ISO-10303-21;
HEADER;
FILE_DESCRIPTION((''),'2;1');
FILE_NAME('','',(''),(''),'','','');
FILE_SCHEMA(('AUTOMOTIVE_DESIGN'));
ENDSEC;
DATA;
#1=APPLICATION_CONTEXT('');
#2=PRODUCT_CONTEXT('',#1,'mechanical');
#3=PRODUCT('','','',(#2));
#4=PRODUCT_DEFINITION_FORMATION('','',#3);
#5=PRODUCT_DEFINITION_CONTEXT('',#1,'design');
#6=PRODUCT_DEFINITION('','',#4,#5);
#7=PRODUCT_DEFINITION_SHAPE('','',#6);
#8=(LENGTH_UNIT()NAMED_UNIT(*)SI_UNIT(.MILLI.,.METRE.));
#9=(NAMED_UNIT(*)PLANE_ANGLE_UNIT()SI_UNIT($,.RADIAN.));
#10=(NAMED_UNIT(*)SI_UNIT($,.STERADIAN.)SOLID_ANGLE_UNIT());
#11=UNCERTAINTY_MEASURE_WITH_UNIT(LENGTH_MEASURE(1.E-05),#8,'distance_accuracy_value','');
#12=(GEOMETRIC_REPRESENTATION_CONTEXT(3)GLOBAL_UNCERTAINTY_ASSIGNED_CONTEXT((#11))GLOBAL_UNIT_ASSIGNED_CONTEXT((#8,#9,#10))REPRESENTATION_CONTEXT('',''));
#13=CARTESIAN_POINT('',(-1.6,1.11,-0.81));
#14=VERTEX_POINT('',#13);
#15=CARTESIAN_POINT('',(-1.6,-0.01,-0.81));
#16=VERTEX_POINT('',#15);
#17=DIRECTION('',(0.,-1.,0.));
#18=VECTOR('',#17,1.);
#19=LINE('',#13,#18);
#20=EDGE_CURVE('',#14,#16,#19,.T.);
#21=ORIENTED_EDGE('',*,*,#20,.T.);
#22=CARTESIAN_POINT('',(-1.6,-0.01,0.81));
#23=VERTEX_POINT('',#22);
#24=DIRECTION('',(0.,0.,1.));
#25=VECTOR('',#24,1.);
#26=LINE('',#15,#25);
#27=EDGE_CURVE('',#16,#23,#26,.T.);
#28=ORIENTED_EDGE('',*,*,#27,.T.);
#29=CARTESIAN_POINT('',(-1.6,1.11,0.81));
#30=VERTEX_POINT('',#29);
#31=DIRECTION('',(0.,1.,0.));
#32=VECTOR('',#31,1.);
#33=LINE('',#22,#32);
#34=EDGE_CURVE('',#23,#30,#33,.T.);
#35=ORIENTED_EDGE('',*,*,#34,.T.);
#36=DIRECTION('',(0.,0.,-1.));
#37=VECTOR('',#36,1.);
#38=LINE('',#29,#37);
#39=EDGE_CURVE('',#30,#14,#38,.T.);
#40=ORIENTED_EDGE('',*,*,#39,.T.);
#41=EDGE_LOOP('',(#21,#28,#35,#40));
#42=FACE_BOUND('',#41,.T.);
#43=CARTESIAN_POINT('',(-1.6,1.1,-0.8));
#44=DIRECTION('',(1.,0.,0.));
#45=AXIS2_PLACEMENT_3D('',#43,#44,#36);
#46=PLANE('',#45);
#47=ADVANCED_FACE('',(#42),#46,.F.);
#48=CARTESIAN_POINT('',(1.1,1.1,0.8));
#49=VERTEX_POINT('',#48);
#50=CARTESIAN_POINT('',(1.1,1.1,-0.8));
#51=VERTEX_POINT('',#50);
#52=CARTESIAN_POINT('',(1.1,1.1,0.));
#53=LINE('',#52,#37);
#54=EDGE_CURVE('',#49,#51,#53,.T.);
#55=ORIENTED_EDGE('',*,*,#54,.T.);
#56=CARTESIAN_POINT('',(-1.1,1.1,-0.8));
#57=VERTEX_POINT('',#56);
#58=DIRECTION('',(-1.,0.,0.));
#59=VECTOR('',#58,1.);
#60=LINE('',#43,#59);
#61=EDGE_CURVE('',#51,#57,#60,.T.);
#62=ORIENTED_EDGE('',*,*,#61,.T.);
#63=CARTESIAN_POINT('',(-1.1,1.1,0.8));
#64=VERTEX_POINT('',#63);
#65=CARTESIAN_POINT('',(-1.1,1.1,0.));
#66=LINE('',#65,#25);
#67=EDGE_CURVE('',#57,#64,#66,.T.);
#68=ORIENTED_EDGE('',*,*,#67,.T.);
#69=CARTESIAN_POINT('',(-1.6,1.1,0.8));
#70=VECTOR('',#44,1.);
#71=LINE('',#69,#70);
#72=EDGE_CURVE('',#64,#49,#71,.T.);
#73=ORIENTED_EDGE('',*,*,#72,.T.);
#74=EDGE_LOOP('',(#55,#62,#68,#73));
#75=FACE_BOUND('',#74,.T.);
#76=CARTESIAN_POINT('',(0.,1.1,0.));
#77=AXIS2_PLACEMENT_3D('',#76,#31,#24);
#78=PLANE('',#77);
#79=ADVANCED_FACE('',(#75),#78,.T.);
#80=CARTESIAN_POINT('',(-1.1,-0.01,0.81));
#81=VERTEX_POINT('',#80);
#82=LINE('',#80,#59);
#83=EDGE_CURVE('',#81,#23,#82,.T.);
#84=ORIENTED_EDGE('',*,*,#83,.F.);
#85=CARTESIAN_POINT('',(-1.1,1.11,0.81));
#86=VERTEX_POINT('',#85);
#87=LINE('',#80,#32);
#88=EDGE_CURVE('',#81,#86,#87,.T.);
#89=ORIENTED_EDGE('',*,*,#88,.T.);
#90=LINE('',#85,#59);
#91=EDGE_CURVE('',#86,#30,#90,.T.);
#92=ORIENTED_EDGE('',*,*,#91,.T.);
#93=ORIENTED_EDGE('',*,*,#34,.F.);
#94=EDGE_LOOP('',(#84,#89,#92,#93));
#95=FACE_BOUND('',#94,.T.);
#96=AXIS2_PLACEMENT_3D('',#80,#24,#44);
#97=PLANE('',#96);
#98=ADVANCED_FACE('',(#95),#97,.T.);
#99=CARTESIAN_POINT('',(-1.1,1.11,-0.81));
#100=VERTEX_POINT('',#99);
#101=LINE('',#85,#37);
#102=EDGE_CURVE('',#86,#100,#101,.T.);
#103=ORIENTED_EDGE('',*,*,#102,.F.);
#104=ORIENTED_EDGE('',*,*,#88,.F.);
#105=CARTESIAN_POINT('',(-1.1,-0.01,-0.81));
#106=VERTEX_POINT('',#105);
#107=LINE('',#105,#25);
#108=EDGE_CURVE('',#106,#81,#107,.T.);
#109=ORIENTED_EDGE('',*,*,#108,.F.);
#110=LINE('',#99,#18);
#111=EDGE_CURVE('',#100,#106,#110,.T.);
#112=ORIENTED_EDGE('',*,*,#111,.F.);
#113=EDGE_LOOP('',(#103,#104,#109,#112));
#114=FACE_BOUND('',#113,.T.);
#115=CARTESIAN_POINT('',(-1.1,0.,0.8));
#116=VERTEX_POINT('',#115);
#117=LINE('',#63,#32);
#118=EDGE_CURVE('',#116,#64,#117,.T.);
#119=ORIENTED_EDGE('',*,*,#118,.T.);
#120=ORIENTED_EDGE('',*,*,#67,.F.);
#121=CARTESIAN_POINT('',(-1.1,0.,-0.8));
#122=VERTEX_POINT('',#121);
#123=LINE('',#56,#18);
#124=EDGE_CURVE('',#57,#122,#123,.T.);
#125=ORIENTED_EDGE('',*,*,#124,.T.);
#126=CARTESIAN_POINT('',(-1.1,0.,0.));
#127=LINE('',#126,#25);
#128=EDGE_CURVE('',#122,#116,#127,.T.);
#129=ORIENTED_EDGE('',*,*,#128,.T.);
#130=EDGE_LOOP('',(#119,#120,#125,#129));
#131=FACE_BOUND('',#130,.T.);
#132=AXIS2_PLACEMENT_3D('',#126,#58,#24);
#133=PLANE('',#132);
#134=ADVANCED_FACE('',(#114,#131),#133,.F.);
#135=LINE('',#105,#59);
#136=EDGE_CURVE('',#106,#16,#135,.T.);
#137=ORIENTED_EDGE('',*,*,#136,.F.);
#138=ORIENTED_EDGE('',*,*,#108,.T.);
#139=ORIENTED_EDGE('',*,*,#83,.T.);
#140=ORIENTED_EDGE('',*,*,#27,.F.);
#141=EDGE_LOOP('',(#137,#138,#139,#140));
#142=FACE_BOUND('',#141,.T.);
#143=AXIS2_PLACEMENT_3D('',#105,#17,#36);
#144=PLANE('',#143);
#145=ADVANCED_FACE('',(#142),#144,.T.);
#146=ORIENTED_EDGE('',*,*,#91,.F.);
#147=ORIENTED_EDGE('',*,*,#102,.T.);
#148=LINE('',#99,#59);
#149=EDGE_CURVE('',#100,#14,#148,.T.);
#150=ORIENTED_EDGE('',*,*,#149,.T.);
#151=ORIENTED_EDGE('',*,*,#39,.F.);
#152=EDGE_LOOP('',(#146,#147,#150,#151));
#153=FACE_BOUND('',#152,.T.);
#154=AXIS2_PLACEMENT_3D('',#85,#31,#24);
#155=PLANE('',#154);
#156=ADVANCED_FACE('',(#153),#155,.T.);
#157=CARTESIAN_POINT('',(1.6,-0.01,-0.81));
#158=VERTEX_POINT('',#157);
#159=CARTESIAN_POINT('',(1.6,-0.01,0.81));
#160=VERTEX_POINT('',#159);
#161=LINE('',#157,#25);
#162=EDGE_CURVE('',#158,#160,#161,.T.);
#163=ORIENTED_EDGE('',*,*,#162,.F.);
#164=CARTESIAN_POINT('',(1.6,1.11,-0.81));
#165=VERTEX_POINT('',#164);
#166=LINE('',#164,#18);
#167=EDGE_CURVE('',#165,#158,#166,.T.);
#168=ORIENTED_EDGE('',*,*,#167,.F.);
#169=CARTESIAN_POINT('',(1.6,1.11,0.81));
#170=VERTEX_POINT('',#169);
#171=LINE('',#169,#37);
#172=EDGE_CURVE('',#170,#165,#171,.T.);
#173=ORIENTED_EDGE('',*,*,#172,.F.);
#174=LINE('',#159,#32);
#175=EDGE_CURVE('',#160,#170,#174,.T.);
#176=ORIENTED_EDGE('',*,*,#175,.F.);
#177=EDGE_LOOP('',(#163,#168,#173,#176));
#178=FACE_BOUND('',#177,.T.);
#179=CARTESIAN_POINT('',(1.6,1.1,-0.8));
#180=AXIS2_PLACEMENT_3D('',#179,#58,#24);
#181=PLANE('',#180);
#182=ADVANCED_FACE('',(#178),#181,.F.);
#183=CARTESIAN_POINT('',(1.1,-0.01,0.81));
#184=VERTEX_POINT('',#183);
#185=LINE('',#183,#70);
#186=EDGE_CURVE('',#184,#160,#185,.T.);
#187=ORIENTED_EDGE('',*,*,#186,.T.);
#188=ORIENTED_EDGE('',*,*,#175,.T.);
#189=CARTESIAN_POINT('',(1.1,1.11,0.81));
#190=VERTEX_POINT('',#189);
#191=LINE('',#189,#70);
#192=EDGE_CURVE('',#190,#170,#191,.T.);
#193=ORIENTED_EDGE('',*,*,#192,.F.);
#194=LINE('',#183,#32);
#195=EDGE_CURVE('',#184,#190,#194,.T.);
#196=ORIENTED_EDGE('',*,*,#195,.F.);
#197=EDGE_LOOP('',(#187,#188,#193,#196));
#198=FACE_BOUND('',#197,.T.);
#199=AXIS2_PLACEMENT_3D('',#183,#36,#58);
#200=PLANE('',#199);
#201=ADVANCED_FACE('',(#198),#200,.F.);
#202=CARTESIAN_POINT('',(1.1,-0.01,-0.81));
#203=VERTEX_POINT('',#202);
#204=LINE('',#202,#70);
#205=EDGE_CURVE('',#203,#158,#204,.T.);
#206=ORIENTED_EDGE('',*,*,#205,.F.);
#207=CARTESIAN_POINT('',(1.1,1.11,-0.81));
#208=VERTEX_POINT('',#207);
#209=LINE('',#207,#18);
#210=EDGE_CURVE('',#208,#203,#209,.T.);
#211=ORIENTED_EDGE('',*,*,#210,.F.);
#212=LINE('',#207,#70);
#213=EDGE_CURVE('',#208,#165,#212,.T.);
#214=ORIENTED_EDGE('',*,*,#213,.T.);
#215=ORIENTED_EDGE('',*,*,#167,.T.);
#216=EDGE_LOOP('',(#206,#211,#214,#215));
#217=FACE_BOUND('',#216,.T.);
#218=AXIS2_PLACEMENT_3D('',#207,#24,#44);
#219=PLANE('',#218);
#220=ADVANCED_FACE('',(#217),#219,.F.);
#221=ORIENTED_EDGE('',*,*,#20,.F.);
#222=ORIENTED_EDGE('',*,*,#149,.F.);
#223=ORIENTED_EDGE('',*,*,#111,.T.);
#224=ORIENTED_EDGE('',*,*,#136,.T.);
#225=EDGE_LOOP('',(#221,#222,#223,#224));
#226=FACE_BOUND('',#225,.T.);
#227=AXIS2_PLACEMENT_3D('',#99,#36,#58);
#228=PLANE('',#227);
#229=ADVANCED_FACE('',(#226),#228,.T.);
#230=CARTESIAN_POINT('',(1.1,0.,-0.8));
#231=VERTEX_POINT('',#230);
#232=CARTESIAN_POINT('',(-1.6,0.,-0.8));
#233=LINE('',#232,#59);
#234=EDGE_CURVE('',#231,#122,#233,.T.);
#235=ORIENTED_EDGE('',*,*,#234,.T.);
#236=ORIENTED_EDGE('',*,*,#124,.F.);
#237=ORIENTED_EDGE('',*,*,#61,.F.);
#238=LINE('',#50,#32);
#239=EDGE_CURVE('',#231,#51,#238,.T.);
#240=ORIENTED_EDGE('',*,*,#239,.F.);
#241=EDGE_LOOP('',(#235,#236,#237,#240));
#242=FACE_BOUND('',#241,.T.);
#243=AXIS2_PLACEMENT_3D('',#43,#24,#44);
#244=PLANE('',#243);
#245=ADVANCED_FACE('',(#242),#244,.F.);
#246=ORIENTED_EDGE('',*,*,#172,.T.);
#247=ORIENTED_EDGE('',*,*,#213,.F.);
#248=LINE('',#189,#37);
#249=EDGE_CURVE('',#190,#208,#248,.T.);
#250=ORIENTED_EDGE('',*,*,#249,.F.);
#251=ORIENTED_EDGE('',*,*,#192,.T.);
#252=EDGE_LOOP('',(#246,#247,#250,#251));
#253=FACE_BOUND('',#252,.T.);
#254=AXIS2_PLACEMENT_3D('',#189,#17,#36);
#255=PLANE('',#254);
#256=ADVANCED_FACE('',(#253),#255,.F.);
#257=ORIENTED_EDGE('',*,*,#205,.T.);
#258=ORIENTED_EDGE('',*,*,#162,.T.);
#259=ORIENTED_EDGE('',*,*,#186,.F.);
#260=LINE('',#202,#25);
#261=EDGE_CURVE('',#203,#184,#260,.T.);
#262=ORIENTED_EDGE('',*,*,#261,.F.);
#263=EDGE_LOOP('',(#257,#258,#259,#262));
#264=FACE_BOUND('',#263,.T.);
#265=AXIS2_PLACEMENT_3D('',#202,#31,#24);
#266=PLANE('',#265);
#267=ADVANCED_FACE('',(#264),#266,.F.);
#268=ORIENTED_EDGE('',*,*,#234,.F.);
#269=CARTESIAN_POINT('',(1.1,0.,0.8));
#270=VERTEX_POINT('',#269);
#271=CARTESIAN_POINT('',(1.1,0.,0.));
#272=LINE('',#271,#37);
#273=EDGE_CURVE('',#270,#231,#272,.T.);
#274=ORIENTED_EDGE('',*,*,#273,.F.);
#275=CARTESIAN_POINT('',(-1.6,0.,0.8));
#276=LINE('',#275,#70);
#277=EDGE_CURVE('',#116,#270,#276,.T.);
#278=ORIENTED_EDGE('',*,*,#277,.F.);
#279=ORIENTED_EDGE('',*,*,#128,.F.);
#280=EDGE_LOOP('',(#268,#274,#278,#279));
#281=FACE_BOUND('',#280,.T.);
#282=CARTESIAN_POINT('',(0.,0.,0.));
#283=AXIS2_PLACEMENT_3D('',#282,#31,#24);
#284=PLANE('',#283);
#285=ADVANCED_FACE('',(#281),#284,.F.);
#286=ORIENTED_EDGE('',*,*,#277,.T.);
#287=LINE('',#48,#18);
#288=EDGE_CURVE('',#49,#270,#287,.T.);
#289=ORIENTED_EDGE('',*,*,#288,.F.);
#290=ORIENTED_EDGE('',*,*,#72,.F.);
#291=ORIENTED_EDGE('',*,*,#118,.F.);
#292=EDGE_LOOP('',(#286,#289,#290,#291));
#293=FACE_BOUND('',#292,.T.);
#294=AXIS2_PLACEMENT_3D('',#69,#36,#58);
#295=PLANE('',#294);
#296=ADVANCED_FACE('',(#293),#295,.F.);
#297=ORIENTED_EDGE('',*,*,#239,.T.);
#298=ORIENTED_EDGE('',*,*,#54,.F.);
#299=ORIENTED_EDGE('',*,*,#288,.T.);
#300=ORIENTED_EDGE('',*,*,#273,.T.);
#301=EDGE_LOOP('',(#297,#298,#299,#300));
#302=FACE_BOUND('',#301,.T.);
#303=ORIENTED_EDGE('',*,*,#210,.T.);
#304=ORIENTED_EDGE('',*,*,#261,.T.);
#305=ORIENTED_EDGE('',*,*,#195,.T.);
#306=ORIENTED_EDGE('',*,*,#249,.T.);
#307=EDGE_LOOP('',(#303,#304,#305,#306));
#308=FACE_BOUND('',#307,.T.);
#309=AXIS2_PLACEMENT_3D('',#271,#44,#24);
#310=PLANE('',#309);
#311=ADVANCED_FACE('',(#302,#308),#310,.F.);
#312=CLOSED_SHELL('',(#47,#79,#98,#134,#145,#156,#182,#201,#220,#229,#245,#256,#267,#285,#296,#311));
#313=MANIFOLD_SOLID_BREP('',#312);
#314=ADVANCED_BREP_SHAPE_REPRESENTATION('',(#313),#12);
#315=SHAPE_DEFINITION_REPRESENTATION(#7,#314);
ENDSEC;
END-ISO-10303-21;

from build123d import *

# Parameters (mm, degrees)
SKETCH_1_W      = 3.2
SKETCH_1_H      = 1.6
EXTRUDE_1_DEPTH = 1.1
SKETCH_2_W      = 1.62
SKETCH_2_H      = 1.12
EXTRUDE_2_DEPTH = 0.5


with BuildPart() as part:
    # 草图1 → 凸台-拉伸1 (new body)
    with BuildSketch(Plane(origin=(0, 0, 0), x_dir=(1, 0, 0), z_dir=(0, 1, 0))):
        Rectangle(SKETCH_1_W, SKETCH_1_H)
    extrude(amount=EXTRUDE_1_DEPTH)

    # 草图2 → 凸台-拉伸2 (add)
    with BuildSketch(Plane.ZY.offset(1.6)):
        with Locations((0, 0.55)):
            Rectangle(SKETCH_2_W, SKETCH_2_H)
    extrude_2 = extrude(amount=-EXTRUDE_2_DEPTH)

    # 镜向1: 凸台-拉伸2 across plane
    add(extrude_2.mirror(Plane(origin=(0, 0, 0), x_dir=(0, 0, 1), z_dir=(1, 0, 0))))


solid = part.part
